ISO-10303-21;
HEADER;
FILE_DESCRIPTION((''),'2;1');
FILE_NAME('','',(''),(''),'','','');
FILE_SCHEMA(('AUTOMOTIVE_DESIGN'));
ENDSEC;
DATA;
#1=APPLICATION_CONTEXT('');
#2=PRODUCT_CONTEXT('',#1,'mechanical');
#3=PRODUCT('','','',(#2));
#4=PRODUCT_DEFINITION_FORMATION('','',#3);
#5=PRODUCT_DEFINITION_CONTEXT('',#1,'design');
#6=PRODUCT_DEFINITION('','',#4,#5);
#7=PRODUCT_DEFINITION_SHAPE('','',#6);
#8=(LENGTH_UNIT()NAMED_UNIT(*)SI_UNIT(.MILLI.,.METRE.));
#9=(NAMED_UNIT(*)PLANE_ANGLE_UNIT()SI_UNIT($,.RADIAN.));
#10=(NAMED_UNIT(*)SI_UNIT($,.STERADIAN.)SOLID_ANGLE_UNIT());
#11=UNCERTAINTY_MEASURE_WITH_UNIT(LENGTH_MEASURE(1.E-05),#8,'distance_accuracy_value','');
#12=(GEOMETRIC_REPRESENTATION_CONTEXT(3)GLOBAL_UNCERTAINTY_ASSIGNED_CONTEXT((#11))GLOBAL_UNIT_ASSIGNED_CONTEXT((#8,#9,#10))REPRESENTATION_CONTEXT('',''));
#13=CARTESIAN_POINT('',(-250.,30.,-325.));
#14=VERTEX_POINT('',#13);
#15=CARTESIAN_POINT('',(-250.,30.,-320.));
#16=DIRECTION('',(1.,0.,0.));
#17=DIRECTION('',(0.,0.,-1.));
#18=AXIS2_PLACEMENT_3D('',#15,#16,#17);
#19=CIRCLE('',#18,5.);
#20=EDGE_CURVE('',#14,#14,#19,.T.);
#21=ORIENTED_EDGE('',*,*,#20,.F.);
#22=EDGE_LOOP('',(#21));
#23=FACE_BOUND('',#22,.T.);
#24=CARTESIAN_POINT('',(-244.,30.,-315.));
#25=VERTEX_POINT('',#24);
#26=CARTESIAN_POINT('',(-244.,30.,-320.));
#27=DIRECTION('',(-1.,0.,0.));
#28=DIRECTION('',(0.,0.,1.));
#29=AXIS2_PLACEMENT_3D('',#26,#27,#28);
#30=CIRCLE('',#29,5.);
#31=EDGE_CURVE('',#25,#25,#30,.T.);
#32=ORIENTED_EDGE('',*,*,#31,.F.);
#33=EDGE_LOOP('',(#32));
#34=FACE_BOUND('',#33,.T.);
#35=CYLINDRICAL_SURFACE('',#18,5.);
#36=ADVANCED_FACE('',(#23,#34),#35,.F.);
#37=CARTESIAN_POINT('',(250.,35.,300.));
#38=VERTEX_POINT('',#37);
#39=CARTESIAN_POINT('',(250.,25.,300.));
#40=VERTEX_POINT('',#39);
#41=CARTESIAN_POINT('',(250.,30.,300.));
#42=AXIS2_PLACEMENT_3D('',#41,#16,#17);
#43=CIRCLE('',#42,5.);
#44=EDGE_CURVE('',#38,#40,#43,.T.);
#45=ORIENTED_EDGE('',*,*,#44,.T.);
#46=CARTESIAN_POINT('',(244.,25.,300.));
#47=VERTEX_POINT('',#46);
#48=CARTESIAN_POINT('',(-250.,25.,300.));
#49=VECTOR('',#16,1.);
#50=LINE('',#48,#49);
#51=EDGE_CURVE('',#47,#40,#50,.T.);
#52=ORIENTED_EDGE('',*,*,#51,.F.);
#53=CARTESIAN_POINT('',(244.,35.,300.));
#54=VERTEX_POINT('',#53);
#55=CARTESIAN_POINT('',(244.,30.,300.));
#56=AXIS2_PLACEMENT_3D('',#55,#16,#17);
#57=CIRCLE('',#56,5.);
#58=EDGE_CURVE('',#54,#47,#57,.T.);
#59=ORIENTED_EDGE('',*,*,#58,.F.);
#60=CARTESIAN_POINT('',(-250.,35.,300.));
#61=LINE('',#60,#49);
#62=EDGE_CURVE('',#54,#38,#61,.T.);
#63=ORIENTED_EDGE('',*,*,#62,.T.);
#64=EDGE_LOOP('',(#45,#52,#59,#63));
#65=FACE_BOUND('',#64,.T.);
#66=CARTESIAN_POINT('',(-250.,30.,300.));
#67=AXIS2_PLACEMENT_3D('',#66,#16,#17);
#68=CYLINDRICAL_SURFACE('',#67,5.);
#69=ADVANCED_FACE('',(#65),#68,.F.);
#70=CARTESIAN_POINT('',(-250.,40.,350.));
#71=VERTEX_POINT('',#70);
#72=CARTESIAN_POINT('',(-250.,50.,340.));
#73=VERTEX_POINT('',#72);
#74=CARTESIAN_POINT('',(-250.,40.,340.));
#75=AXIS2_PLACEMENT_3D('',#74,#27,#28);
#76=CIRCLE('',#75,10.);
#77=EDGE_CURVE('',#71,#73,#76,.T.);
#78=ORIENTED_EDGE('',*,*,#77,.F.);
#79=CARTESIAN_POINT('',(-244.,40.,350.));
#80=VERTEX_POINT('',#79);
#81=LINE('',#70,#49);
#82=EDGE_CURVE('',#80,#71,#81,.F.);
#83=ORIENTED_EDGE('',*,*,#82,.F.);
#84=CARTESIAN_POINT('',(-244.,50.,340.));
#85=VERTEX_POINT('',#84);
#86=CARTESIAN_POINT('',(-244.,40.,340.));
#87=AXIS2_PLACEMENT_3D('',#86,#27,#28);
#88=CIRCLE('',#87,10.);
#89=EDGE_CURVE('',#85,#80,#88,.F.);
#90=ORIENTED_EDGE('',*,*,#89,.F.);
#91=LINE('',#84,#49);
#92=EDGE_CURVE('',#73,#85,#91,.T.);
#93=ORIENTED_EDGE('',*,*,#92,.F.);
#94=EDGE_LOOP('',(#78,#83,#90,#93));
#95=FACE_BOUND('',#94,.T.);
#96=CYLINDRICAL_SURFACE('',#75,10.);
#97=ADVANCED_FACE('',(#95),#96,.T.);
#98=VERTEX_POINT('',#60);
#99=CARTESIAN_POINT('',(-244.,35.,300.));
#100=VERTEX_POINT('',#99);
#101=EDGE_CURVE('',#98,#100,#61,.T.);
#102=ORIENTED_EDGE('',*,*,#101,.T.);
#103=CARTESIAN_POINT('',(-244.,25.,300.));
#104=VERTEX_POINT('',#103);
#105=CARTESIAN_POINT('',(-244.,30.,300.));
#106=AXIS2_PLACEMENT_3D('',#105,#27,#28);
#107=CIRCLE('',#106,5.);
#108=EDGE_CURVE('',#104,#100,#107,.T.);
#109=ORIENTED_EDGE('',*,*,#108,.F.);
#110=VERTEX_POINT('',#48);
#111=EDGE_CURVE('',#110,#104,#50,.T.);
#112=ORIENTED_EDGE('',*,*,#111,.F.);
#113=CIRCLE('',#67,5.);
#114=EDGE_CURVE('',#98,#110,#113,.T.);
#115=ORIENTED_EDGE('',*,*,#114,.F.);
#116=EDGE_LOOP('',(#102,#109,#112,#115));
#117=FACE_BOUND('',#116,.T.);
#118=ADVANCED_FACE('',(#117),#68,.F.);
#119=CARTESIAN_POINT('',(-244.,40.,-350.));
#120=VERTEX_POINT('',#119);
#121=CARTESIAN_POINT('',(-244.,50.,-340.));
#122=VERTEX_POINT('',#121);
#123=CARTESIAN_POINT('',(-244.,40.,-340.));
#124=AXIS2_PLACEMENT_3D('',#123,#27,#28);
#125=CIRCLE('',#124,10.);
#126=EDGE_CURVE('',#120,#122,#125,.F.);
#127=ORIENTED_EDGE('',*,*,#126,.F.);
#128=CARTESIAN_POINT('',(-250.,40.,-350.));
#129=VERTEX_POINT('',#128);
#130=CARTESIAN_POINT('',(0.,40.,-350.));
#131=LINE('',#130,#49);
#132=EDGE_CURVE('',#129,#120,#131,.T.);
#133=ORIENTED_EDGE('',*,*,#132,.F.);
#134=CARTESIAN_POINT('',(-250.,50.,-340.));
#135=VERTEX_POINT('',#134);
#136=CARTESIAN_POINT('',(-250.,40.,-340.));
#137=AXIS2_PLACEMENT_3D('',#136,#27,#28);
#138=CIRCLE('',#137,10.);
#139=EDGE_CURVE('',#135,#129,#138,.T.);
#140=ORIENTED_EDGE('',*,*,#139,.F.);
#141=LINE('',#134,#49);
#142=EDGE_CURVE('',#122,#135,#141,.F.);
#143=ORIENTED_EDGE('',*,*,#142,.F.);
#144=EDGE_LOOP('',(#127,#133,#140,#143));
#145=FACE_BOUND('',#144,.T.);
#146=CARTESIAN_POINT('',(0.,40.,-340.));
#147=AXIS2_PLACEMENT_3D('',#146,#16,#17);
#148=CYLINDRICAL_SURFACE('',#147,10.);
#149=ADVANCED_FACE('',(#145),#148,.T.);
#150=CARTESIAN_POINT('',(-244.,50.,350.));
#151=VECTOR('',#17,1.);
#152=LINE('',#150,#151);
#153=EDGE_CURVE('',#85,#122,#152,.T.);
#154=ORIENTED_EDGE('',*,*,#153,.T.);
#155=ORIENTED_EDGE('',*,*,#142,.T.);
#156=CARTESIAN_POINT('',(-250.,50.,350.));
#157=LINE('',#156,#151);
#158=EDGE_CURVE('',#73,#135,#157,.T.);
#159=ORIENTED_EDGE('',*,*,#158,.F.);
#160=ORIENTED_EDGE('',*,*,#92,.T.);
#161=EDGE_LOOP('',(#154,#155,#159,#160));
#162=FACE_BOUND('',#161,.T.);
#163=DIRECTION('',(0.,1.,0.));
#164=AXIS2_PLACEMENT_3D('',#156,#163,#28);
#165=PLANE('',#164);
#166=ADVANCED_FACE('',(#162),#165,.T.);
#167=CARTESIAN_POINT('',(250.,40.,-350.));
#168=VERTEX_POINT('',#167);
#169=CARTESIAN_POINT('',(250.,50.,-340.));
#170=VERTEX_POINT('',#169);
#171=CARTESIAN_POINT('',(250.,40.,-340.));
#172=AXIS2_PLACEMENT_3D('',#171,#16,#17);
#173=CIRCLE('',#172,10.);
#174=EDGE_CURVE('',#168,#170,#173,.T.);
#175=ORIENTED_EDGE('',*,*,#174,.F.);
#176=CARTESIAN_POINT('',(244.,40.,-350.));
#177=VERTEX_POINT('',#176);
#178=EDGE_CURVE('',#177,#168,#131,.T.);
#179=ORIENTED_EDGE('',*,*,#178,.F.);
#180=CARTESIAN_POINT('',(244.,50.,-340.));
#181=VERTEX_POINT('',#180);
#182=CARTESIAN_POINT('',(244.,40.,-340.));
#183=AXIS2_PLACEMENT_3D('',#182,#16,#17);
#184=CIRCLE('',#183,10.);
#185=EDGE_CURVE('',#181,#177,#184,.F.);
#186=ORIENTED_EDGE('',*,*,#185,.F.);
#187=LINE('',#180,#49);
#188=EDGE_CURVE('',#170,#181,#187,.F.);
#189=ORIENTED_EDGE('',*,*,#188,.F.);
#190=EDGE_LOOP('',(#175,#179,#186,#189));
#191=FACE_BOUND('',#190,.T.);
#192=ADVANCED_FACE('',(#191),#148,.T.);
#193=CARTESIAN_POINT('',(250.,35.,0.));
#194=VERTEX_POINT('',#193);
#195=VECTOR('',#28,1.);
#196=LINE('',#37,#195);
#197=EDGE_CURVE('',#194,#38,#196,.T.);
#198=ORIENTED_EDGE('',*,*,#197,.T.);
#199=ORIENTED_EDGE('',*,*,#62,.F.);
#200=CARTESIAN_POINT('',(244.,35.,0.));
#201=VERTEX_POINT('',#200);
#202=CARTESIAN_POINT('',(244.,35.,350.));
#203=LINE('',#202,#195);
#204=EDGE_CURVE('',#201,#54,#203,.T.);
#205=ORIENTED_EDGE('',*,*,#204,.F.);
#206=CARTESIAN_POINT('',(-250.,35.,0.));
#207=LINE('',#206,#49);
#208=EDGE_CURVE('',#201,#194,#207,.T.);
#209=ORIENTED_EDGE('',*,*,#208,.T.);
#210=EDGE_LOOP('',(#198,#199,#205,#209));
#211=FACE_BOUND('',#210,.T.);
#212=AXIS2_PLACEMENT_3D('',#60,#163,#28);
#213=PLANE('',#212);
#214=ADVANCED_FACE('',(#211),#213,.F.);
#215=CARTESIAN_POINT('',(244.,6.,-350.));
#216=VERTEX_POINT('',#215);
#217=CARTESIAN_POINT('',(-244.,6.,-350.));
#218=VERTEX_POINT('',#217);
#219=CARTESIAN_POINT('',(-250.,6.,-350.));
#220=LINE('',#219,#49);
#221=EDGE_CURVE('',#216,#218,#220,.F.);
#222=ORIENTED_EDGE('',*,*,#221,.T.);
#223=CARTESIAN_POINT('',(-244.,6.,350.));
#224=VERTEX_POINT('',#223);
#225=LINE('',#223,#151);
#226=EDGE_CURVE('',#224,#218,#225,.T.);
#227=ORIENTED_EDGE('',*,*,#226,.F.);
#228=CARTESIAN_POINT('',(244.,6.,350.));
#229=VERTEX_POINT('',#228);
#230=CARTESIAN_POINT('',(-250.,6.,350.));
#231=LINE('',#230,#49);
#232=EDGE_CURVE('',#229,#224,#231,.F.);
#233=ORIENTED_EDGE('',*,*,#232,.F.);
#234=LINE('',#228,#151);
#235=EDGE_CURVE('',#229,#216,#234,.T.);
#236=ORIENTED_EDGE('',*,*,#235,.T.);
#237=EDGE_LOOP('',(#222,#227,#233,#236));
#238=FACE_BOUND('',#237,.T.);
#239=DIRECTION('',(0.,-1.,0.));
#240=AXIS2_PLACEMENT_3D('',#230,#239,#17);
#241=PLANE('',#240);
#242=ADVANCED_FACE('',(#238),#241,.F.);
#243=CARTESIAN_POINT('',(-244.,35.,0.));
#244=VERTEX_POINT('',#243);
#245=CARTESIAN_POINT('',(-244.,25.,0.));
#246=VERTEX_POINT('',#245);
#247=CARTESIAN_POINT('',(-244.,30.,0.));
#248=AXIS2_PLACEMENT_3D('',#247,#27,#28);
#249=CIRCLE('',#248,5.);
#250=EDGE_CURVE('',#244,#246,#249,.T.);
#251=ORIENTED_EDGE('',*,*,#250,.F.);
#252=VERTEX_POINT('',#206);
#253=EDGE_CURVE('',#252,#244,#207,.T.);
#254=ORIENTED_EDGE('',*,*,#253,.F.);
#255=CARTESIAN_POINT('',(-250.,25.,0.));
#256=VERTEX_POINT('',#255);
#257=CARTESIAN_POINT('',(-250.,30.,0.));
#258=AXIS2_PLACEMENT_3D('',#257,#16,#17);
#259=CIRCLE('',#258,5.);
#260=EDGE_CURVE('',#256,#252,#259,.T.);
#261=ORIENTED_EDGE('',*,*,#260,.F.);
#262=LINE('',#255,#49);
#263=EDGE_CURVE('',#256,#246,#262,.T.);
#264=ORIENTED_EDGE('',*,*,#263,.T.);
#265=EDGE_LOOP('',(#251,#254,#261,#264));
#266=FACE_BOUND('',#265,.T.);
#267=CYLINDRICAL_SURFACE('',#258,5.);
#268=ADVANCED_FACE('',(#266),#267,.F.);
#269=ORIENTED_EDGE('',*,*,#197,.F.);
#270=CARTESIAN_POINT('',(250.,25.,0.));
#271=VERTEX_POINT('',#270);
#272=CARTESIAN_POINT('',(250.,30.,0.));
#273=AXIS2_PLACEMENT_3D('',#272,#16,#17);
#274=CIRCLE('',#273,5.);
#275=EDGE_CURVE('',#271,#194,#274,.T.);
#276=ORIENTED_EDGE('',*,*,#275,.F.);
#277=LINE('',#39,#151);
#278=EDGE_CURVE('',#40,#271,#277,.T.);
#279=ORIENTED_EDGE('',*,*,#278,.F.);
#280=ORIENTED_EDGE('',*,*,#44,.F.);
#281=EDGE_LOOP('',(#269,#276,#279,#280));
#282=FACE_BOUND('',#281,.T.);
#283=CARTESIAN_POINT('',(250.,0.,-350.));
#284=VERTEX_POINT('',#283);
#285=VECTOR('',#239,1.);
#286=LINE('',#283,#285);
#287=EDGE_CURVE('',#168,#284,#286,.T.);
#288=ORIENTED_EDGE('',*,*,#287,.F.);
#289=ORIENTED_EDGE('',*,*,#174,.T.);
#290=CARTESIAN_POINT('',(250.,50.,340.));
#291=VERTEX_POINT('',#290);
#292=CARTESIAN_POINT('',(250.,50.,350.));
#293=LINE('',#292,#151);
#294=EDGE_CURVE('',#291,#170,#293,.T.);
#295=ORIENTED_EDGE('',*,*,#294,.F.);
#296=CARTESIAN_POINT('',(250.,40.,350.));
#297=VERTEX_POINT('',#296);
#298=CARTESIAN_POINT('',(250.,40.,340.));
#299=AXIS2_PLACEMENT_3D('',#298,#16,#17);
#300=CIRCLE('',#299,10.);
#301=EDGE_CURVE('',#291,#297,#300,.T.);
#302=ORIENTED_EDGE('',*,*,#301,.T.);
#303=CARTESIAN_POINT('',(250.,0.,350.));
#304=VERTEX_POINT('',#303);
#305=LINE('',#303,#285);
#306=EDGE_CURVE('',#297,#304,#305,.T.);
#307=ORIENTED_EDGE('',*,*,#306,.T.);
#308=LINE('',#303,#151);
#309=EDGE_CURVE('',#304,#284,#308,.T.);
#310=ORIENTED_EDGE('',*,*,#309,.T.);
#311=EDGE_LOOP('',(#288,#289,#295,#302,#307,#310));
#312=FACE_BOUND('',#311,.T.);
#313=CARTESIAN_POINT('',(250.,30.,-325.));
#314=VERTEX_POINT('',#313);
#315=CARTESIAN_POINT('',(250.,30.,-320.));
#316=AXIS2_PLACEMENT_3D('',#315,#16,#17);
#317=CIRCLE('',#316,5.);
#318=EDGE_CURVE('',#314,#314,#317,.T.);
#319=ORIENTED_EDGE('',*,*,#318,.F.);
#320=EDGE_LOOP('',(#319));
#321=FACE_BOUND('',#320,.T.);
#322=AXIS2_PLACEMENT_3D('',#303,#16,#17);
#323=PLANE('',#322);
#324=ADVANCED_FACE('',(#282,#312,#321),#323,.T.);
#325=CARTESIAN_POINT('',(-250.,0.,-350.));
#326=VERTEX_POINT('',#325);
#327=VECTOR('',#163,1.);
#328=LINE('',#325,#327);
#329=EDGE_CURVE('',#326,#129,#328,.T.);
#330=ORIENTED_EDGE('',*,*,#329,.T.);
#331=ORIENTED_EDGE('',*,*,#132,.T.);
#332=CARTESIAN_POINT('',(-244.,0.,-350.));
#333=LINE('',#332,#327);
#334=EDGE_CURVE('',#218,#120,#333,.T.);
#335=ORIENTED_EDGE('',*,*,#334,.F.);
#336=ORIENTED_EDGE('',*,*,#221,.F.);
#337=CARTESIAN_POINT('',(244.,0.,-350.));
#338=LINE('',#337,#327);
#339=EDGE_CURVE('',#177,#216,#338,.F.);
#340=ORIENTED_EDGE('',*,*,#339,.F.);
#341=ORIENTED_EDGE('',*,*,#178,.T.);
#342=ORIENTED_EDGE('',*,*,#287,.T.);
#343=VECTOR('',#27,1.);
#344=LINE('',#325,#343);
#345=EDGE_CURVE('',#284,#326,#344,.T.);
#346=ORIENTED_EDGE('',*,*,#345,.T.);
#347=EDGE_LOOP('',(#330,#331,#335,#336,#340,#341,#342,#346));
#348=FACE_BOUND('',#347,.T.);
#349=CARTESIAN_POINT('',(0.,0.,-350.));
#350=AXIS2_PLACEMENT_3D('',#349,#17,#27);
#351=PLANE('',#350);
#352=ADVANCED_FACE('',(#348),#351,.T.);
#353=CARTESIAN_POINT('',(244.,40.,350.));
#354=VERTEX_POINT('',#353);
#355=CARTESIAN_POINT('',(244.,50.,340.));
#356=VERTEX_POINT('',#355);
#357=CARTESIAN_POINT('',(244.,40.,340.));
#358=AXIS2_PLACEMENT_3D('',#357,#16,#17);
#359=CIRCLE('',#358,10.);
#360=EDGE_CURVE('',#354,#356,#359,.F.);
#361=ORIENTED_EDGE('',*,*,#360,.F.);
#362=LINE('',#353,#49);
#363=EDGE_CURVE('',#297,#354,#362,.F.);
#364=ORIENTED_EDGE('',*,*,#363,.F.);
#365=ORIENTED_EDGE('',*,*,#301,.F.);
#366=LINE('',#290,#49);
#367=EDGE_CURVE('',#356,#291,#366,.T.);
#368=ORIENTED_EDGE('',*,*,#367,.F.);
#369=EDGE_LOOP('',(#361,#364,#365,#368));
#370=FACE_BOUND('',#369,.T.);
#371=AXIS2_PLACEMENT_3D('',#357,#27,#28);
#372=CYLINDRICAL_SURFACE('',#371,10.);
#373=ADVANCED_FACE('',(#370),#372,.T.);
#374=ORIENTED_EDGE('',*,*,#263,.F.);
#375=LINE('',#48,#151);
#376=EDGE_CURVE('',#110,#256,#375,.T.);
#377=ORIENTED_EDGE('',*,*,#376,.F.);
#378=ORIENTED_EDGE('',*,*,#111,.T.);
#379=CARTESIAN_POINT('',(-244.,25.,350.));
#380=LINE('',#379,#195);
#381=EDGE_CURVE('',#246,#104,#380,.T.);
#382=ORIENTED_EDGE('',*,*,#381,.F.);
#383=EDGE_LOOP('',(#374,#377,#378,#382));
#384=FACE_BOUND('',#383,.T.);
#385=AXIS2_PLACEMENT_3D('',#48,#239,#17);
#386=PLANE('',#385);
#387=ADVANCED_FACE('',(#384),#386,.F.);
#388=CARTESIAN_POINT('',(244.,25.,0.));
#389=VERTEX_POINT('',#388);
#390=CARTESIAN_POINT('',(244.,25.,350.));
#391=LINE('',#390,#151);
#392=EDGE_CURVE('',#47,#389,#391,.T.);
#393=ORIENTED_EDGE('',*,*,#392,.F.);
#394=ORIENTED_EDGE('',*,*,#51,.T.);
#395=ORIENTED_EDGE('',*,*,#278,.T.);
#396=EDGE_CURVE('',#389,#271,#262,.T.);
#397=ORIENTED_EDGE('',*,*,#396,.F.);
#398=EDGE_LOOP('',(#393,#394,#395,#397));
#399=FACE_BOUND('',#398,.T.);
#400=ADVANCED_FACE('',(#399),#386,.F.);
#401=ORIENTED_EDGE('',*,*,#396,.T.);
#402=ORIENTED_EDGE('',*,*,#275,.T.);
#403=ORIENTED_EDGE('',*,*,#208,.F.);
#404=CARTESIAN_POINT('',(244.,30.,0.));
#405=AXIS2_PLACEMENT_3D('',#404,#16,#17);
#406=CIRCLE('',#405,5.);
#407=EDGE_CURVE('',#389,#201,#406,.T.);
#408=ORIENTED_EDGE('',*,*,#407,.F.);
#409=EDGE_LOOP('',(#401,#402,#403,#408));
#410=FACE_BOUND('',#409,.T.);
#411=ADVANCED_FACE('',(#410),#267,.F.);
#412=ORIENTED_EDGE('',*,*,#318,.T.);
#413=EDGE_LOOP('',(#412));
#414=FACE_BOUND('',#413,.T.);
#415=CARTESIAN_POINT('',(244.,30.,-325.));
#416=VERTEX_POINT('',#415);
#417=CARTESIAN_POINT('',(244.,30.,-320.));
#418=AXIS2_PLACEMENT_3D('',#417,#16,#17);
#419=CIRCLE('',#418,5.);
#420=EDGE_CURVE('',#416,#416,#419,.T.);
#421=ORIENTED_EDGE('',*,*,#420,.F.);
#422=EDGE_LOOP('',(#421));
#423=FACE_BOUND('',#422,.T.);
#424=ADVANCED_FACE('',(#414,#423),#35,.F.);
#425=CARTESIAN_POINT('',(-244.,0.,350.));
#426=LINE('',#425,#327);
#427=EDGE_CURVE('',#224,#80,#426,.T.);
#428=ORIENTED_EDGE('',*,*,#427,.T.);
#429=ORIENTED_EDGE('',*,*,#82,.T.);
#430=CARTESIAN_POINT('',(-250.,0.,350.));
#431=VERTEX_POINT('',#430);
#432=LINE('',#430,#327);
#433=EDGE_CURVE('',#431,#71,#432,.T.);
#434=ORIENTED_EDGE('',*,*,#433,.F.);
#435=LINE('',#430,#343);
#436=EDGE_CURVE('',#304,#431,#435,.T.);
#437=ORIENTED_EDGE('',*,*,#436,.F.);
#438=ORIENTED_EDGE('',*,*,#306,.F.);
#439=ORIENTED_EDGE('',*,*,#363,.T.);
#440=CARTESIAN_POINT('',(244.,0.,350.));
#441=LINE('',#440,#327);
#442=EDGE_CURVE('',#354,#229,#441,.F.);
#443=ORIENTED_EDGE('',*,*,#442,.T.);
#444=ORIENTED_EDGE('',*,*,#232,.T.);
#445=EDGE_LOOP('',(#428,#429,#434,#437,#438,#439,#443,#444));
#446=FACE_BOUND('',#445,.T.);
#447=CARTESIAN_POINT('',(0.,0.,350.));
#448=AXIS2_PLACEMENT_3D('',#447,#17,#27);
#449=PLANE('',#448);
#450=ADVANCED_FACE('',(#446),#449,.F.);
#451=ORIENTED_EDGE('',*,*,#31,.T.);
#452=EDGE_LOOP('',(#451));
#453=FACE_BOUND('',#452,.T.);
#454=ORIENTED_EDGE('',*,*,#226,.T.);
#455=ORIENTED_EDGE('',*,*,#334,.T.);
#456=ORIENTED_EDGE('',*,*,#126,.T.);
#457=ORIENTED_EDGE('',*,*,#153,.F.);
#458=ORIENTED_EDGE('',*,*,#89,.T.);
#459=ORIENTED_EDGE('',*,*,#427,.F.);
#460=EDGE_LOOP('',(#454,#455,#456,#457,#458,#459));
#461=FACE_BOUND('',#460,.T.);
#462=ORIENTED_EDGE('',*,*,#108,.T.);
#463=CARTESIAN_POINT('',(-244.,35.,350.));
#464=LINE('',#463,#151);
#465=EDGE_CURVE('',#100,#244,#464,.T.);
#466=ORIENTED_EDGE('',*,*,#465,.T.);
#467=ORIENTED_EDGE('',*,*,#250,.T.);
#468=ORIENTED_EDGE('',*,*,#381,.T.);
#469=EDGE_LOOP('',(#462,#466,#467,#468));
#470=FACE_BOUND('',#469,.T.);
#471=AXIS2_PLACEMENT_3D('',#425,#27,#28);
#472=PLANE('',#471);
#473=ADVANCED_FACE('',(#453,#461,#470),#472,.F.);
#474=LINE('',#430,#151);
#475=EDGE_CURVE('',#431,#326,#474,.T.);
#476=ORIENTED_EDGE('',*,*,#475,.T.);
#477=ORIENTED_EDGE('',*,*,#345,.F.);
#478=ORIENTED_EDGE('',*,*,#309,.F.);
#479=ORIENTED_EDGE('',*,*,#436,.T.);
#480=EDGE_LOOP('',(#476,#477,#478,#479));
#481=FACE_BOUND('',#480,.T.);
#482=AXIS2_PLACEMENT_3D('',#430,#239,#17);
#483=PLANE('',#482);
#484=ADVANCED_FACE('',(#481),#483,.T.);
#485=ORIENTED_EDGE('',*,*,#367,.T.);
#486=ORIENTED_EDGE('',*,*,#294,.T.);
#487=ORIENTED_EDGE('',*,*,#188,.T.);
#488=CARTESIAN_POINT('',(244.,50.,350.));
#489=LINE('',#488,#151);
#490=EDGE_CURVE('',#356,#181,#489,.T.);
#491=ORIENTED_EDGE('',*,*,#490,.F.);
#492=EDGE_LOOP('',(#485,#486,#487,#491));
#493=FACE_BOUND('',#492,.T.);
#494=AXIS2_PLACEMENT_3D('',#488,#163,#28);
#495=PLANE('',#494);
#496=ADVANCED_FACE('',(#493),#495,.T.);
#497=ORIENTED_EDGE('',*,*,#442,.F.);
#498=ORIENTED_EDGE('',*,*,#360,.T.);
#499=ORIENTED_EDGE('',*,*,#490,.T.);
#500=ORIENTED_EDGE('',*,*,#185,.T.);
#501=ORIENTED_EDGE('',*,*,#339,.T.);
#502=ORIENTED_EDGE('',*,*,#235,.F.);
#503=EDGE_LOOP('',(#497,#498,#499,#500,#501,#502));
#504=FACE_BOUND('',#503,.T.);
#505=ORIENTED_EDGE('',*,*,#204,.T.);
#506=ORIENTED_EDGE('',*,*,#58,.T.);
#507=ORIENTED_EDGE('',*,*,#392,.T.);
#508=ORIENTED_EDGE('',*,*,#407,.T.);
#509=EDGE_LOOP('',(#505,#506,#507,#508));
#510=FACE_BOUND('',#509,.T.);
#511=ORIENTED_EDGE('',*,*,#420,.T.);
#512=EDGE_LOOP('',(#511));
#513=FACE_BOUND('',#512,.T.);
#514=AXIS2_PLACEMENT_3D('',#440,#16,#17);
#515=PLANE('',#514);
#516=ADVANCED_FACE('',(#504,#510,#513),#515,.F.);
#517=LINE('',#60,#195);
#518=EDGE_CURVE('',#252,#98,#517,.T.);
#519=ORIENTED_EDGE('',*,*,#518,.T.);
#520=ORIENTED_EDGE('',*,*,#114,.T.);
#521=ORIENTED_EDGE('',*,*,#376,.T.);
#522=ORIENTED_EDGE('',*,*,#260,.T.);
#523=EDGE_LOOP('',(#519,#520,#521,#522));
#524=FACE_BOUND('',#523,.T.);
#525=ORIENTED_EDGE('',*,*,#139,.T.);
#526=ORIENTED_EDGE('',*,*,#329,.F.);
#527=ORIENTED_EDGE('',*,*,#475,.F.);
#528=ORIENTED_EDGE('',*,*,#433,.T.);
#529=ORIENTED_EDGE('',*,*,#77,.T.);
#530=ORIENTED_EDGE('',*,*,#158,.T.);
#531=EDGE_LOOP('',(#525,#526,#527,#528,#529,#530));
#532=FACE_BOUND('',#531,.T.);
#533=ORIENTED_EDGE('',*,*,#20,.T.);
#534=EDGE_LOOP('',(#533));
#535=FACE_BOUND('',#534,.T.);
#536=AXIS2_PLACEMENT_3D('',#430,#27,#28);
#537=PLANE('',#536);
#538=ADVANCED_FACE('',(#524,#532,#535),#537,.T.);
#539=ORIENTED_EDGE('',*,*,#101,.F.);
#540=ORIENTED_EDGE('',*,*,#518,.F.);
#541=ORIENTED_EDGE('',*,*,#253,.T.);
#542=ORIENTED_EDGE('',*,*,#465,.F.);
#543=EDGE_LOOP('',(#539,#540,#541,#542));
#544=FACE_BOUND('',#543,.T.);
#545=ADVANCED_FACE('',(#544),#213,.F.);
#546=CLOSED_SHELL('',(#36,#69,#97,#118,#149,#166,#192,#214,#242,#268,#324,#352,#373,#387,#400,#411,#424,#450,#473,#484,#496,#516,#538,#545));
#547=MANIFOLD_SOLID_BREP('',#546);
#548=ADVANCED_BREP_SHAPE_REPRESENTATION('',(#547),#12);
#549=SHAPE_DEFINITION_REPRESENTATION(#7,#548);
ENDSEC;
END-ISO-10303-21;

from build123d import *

# Parameters (mm, degrees)
EXTRUDE_THIN1_DEPTH     = 350
CUT_EXTRUDE1_DEPTH      = 613.372435696
CUT_EXTRUDE1_DEPTH_BACK = 613.372435696
SKETCH2_R               = 5
FILLET1_R               = 10


with BuildPart() as part:
    # Sketch1 → Extrude-Thin1 (new, symmetric)
    with BuildSketch(Plane.XY):
        Polygon((-250, 50), (-250, 0), (250, 0), (250, 50), (244, 50), (244, 6), (-244, 6), (-244, 50), align=None)
    extrude(amount=EXTRUDE_THIN1_DEPTH, both=True)

    # Sketch2 → Cut-Extrude1 (cut, two sides: drawn at the far end of the back side and taken through both)
    with BuildSketch(Plane(origin=(250, 0, 0), x_dir=(0, 0, -1), z_dir=(1, 0, 0)).offset(-CUT_EXTRUDE1_DEPTH_BACK)):
        with Locations((320, 30)):
            Circle(SKETCH2_R)
        with BuildLine():
            Line((-300, 35), (0, 35))
            ThreePointArc((0, 35), (5, 30), (0, 25))
            Line((0, 25), (-300, 25))
            ThreePointArc((-300, 25), (-305, 30), (-300, 35))
        make_face()
    extrude(amount=CUT_EXTRUDE1_DEPTH + CUT_EXTRUDE1_DEPTH_BACK, mode=Mode.SUBTRACT)

    # Fillet1
    fillet1_edges = [part.edges().sort_by_distance(p)[0] for p in [
        (247, 50, 350),
        (247, 50, -350),
        (-247, 50, 350),
        (-247, 50, -350),
    ]]
    fillet(fillet1_edges, radius=FILLET1_R)


solid = part.part
